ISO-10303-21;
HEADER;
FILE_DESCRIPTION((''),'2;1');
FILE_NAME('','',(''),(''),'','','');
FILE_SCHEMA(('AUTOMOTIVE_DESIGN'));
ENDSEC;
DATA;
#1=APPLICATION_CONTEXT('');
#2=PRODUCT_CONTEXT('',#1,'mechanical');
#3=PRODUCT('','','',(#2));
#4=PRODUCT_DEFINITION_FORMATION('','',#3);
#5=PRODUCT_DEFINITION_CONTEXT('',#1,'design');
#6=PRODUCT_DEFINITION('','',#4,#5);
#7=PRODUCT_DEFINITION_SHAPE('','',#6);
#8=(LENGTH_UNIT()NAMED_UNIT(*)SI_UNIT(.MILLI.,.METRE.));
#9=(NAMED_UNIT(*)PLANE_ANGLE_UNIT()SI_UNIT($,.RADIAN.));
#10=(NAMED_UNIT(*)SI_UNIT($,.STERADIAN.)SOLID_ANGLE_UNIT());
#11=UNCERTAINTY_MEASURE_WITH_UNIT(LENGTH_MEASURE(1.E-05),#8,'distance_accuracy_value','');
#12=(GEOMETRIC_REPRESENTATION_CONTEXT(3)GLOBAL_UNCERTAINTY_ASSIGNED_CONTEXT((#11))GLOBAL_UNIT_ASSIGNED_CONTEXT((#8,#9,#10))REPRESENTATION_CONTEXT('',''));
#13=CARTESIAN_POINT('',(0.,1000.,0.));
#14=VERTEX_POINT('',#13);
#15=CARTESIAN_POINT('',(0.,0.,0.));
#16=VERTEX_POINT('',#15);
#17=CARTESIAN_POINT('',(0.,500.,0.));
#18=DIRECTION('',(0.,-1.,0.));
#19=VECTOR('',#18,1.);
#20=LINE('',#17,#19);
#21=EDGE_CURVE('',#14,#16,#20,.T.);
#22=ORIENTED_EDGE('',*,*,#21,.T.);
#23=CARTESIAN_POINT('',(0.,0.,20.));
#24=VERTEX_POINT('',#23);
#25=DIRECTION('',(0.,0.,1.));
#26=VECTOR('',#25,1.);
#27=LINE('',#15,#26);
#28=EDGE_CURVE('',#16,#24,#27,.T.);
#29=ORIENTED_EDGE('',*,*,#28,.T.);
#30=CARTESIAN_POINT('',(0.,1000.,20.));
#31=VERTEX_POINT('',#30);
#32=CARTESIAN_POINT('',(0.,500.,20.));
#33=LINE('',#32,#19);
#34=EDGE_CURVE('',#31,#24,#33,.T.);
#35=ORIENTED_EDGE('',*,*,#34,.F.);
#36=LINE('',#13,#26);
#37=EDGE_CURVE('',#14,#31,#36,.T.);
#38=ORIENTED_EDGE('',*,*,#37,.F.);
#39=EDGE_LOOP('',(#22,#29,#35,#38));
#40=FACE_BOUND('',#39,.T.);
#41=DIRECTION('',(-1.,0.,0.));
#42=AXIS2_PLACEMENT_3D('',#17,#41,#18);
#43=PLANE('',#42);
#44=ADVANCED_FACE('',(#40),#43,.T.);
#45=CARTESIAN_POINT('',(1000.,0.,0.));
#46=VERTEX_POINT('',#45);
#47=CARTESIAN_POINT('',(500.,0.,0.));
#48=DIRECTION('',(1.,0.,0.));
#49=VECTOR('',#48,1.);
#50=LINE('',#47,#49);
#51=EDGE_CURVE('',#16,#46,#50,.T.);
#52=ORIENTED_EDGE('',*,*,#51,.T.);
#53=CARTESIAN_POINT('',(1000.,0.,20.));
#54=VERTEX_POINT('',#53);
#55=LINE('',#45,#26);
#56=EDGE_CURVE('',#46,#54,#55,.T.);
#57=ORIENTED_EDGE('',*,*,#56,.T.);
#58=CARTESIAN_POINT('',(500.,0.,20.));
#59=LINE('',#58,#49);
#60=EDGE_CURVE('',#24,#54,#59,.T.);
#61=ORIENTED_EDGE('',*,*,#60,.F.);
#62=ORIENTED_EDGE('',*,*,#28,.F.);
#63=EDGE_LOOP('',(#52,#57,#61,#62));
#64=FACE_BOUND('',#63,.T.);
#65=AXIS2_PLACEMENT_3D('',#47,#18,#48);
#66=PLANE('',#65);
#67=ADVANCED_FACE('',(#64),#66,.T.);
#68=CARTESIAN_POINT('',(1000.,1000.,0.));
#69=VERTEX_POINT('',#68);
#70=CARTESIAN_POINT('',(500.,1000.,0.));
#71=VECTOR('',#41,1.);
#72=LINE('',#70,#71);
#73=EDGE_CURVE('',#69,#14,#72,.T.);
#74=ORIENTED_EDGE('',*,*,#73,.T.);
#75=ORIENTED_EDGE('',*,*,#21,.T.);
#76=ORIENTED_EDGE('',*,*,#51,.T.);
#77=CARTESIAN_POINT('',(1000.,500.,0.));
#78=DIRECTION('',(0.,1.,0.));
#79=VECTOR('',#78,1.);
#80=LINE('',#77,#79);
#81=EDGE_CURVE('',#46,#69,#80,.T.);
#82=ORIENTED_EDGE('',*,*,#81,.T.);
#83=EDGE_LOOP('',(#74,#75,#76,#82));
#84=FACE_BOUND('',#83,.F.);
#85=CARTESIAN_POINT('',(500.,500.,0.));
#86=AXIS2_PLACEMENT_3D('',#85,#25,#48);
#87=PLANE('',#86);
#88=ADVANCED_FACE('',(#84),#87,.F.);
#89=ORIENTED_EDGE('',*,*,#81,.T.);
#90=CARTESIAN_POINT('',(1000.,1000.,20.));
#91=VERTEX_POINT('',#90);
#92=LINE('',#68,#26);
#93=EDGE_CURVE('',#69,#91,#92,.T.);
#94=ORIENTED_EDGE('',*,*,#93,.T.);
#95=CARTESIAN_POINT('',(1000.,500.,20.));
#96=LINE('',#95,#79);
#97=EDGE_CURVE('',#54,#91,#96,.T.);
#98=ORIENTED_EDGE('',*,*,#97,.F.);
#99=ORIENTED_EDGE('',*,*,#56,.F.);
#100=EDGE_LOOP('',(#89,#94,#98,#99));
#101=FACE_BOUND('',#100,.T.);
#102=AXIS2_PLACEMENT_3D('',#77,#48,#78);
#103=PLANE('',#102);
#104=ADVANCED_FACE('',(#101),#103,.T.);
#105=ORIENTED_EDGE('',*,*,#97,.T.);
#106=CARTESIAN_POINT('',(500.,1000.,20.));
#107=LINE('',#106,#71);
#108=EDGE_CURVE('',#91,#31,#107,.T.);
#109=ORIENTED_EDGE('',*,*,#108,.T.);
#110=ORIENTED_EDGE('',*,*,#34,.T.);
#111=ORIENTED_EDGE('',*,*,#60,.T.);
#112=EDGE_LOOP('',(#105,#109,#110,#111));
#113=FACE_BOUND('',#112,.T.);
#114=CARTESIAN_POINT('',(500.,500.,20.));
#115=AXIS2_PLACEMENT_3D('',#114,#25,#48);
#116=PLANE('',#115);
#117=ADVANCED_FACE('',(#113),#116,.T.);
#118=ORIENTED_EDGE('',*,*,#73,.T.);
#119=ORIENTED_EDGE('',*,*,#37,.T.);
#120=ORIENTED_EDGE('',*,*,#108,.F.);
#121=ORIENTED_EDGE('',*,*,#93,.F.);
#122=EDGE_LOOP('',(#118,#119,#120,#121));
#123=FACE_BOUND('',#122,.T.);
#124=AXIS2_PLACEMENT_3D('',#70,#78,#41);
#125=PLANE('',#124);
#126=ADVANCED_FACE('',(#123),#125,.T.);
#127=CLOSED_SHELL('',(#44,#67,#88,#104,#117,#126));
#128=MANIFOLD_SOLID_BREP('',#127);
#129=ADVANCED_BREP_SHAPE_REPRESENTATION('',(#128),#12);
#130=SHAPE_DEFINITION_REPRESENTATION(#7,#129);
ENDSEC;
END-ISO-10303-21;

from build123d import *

# Parameters (mm, degrees)
F0_W = 1000
F0_H = 1000


with BuildPart() as f2:
    # F2: sweep along a path in F1
    with BuildLine(Plane.XZ) as f2_path:
        Line((0, 0), (0, 20))
    # F0 (on Top) → F2 (sweep)
    with BuildSketch(Plane.XY):
        with Locations((500, 500)):
            Rectangle(F0_W, F0_H)
    sweep(path=f2_path.line)


solid = f2.part
